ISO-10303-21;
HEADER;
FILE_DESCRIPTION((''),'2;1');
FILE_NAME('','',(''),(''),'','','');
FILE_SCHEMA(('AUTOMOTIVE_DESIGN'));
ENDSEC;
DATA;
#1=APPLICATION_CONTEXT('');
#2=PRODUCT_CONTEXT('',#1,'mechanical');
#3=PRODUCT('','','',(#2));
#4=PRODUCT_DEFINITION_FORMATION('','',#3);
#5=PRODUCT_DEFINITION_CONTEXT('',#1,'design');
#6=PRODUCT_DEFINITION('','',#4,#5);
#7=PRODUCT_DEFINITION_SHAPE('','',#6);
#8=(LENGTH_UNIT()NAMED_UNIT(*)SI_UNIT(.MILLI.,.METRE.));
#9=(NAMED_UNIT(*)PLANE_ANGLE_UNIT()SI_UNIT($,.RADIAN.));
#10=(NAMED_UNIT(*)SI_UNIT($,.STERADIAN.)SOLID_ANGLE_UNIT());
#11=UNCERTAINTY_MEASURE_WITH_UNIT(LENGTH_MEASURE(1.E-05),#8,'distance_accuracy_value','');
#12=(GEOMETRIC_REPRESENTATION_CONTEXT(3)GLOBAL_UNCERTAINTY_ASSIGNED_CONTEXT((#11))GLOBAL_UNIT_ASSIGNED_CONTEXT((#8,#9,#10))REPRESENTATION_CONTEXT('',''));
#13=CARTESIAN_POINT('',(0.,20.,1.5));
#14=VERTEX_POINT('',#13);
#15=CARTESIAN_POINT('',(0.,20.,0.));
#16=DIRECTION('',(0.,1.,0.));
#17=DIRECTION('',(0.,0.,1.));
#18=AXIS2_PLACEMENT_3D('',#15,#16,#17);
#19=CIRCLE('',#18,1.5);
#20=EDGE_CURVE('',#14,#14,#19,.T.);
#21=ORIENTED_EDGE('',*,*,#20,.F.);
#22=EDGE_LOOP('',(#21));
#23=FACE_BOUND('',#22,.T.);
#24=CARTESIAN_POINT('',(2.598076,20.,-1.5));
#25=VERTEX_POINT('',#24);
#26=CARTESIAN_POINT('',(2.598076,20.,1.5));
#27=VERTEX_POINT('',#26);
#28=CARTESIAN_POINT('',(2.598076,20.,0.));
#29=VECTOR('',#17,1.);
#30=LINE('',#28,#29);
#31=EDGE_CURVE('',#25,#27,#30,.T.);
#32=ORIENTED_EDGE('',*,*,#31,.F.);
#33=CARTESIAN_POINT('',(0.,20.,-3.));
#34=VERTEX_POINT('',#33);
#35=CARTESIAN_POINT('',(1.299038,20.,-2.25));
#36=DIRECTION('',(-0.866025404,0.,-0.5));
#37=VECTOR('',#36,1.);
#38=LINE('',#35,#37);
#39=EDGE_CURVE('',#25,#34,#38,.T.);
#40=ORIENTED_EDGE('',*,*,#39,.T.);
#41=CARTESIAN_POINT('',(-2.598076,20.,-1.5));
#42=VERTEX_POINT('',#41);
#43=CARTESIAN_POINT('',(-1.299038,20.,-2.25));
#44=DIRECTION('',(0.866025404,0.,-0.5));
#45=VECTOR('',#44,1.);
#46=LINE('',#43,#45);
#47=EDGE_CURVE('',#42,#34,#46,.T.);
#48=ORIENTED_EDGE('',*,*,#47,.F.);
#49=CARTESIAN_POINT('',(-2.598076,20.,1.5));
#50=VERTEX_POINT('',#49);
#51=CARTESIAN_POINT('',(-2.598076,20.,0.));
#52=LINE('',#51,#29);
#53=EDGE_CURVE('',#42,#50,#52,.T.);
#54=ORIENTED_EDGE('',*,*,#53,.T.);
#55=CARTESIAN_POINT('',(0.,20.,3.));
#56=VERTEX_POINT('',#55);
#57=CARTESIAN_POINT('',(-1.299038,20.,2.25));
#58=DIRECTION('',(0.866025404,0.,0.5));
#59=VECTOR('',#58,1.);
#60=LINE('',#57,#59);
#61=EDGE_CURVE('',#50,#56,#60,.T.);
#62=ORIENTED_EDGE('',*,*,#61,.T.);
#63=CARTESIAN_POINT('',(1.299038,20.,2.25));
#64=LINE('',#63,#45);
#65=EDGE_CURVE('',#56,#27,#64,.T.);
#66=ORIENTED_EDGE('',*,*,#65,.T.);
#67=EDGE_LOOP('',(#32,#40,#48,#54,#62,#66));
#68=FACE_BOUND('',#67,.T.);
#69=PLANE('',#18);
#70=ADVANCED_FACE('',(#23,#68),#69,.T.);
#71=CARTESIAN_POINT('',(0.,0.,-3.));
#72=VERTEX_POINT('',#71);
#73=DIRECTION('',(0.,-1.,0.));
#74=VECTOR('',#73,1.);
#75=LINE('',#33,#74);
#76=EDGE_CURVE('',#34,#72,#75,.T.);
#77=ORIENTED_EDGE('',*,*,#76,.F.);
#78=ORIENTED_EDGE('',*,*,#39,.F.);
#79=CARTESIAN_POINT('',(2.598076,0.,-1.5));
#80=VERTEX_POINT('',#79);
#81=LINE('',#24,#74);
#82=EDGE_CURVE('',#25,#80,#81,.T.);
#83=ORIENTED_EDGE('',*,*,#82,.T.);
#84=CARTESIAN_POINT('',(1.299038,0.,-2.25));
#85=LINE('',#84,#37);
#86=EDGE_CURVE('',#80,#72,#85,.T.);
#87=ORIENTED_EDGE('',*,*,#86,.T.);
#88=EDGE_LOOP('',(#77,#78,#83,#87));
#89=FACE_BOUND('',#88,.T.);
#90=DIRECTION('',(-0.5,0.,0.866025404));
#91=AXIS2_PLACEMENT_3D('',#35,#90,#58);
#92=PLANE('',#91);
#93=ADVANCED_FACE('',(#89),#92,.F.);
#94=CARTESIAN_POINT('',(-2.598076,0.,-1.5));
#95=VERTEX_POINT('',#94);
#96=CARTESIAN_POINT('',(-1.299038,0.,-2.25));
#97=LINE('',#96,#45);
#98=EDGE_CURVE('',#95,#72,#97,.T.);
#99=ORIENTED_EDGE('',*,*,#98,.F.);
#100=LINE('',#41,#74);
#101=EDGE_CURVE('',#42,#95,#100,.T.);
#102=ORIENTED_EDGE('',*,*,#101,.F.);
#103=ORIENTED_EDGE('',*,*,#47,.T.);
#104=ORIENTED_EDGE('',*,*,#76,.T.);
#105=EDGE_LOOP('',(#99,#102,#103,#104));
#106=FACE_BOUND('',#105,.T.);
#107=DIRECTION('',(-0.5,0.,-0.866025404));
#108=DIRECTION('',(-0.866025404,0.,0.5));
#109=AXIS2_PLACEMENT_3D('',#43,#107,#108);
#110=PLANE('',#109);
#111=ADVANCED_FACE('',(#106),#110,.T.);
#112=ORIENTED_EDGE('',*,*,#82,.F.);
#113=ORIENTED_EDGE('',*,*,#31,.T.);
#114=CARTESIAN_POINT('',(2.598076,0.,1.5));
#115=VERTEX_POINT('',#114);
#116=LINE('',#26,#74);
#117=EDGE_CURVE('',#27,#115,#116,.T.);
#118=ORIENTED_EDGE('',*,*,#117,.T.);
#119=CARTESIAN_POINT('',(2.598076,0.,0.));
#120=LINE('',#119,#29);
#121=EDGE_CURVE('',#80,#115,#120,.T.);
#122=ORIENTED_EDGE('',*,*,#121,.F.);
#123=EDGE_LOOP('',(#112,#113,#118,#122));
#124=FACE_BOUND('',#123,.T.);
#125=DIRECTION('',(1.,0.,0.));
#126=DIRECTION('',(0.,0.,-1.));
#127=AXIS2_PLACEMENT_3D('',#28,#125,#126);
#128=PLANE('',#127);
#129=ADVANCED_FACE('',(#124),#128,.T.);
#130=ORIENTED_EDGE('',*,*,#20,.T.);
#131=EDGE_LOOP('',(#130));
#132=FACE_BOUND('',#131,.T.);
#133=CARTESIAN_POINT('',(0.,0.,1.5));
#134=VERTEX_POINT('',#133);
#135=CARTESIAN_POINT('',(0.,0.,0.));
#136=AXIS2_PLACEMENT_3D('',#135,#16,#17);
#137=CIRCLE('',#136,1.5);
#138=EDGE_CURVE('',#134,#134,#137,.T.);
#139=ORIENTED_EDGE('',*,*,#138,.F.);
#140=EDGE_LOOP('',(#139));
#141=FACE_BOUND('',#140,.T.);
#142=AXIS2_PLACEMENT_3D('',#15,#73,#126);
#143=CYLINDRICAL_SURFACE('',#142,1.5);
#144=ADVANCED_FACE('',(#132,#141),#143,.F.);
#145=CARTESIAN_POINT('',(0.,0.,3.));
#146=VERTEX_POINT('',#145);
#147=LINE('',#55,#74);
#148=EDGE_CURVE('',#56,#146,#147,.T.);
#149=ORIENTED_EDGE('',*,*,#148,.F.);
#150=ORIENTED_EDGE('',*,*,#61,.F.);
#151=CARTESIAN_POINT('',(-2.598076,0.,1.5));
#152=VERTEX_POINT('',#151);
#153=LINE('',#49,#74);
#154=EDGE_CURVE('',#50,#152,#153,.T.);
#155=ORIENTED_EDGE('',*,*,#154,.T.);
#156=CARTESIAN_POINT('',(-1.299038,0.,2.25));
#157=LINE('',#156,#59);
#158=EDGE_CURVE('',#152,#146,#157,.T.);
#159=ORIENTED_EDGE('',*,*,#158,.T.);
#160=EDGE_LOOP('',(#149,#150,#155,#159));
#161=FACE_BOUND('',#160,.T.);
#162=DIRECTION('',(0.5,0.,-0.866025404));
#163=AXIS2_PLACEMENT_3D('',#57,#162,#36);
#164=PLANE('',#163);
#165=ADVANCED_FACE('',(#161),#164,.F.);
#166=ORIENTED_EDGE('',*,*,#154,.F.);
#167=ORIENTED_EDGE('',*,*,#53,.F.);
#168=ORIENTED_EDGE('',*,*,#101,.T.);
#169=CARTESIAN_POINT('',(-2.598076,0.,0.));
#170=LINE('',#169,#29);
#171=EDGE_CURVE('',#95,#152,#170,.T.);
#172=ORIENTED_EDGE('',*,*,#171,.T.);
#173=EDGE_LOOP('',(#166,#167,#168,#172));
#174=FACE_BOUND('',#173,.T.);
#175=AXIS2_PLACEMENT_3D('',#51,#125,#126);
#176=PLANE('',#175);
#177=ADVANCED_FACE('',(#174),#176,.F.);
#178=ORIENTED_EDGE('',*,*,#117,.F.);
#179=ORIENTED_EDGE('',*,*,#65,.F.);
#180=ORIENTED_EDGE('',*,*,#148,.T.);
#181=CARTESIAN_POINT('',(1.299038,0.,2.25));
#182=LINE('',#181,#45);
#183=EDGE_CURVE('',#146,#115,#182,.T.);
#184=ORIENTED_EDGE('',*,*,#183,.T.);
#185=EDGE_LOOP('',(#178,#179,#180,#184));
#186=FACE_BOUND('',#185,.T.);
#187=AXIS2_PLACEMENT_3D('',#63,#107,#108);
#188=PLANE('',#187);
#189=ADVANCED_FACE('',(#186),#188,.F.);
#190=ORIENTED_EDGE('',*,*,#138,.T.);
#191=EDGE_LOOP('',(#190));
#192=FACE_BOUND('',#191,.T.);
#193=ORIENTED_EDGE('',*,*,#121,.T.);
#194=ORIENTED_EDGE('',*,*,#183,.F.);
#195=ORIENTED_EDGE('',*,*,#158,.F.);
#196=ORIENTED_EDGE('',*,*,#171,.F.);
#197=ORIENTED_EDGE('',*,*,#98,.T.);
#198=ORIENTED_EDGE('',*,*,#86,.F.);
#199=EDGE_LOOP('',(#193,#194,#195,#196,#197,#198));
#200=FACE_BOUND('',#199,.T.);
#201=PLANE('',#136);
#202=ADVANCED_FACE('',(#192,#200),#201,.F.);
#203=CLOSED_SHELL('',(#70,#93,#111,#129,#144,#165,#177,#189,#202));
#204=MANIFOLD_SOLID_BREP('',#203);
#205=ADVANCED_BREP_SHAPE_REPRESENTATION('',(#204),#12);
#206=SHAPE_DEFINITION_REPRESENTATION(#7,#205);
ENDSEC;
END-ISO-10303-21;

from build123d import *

# Parameters (mm, degrees)
SKETCH_1_R      = 1.5
EXTRUDE_1_DEPTH = 20


with BuildPart() as part:
    # Эскиз1 → Бобышка-Вытянуть1 (new body)
    with BuildSketch(Plane(origin=(0, 0, 0), x_dir=(1, 0, 0), z_dir=(0, 1, 0))):
        Polygon((-2.598076211, -1.5), (0, -3), (2.598076211, -1.5), (2.598076211, 1.5), (0, 3), (-2.598076211, 1.5), align=None)
        with Locations(Location((0, 0, 0), (0, 0, 270))):
            Circle(SKETCH_1_R, mode=Mode.SUBTRACT)
    extrude(amount=EXTRUDE_1_DEPTH)


solid = part.part
